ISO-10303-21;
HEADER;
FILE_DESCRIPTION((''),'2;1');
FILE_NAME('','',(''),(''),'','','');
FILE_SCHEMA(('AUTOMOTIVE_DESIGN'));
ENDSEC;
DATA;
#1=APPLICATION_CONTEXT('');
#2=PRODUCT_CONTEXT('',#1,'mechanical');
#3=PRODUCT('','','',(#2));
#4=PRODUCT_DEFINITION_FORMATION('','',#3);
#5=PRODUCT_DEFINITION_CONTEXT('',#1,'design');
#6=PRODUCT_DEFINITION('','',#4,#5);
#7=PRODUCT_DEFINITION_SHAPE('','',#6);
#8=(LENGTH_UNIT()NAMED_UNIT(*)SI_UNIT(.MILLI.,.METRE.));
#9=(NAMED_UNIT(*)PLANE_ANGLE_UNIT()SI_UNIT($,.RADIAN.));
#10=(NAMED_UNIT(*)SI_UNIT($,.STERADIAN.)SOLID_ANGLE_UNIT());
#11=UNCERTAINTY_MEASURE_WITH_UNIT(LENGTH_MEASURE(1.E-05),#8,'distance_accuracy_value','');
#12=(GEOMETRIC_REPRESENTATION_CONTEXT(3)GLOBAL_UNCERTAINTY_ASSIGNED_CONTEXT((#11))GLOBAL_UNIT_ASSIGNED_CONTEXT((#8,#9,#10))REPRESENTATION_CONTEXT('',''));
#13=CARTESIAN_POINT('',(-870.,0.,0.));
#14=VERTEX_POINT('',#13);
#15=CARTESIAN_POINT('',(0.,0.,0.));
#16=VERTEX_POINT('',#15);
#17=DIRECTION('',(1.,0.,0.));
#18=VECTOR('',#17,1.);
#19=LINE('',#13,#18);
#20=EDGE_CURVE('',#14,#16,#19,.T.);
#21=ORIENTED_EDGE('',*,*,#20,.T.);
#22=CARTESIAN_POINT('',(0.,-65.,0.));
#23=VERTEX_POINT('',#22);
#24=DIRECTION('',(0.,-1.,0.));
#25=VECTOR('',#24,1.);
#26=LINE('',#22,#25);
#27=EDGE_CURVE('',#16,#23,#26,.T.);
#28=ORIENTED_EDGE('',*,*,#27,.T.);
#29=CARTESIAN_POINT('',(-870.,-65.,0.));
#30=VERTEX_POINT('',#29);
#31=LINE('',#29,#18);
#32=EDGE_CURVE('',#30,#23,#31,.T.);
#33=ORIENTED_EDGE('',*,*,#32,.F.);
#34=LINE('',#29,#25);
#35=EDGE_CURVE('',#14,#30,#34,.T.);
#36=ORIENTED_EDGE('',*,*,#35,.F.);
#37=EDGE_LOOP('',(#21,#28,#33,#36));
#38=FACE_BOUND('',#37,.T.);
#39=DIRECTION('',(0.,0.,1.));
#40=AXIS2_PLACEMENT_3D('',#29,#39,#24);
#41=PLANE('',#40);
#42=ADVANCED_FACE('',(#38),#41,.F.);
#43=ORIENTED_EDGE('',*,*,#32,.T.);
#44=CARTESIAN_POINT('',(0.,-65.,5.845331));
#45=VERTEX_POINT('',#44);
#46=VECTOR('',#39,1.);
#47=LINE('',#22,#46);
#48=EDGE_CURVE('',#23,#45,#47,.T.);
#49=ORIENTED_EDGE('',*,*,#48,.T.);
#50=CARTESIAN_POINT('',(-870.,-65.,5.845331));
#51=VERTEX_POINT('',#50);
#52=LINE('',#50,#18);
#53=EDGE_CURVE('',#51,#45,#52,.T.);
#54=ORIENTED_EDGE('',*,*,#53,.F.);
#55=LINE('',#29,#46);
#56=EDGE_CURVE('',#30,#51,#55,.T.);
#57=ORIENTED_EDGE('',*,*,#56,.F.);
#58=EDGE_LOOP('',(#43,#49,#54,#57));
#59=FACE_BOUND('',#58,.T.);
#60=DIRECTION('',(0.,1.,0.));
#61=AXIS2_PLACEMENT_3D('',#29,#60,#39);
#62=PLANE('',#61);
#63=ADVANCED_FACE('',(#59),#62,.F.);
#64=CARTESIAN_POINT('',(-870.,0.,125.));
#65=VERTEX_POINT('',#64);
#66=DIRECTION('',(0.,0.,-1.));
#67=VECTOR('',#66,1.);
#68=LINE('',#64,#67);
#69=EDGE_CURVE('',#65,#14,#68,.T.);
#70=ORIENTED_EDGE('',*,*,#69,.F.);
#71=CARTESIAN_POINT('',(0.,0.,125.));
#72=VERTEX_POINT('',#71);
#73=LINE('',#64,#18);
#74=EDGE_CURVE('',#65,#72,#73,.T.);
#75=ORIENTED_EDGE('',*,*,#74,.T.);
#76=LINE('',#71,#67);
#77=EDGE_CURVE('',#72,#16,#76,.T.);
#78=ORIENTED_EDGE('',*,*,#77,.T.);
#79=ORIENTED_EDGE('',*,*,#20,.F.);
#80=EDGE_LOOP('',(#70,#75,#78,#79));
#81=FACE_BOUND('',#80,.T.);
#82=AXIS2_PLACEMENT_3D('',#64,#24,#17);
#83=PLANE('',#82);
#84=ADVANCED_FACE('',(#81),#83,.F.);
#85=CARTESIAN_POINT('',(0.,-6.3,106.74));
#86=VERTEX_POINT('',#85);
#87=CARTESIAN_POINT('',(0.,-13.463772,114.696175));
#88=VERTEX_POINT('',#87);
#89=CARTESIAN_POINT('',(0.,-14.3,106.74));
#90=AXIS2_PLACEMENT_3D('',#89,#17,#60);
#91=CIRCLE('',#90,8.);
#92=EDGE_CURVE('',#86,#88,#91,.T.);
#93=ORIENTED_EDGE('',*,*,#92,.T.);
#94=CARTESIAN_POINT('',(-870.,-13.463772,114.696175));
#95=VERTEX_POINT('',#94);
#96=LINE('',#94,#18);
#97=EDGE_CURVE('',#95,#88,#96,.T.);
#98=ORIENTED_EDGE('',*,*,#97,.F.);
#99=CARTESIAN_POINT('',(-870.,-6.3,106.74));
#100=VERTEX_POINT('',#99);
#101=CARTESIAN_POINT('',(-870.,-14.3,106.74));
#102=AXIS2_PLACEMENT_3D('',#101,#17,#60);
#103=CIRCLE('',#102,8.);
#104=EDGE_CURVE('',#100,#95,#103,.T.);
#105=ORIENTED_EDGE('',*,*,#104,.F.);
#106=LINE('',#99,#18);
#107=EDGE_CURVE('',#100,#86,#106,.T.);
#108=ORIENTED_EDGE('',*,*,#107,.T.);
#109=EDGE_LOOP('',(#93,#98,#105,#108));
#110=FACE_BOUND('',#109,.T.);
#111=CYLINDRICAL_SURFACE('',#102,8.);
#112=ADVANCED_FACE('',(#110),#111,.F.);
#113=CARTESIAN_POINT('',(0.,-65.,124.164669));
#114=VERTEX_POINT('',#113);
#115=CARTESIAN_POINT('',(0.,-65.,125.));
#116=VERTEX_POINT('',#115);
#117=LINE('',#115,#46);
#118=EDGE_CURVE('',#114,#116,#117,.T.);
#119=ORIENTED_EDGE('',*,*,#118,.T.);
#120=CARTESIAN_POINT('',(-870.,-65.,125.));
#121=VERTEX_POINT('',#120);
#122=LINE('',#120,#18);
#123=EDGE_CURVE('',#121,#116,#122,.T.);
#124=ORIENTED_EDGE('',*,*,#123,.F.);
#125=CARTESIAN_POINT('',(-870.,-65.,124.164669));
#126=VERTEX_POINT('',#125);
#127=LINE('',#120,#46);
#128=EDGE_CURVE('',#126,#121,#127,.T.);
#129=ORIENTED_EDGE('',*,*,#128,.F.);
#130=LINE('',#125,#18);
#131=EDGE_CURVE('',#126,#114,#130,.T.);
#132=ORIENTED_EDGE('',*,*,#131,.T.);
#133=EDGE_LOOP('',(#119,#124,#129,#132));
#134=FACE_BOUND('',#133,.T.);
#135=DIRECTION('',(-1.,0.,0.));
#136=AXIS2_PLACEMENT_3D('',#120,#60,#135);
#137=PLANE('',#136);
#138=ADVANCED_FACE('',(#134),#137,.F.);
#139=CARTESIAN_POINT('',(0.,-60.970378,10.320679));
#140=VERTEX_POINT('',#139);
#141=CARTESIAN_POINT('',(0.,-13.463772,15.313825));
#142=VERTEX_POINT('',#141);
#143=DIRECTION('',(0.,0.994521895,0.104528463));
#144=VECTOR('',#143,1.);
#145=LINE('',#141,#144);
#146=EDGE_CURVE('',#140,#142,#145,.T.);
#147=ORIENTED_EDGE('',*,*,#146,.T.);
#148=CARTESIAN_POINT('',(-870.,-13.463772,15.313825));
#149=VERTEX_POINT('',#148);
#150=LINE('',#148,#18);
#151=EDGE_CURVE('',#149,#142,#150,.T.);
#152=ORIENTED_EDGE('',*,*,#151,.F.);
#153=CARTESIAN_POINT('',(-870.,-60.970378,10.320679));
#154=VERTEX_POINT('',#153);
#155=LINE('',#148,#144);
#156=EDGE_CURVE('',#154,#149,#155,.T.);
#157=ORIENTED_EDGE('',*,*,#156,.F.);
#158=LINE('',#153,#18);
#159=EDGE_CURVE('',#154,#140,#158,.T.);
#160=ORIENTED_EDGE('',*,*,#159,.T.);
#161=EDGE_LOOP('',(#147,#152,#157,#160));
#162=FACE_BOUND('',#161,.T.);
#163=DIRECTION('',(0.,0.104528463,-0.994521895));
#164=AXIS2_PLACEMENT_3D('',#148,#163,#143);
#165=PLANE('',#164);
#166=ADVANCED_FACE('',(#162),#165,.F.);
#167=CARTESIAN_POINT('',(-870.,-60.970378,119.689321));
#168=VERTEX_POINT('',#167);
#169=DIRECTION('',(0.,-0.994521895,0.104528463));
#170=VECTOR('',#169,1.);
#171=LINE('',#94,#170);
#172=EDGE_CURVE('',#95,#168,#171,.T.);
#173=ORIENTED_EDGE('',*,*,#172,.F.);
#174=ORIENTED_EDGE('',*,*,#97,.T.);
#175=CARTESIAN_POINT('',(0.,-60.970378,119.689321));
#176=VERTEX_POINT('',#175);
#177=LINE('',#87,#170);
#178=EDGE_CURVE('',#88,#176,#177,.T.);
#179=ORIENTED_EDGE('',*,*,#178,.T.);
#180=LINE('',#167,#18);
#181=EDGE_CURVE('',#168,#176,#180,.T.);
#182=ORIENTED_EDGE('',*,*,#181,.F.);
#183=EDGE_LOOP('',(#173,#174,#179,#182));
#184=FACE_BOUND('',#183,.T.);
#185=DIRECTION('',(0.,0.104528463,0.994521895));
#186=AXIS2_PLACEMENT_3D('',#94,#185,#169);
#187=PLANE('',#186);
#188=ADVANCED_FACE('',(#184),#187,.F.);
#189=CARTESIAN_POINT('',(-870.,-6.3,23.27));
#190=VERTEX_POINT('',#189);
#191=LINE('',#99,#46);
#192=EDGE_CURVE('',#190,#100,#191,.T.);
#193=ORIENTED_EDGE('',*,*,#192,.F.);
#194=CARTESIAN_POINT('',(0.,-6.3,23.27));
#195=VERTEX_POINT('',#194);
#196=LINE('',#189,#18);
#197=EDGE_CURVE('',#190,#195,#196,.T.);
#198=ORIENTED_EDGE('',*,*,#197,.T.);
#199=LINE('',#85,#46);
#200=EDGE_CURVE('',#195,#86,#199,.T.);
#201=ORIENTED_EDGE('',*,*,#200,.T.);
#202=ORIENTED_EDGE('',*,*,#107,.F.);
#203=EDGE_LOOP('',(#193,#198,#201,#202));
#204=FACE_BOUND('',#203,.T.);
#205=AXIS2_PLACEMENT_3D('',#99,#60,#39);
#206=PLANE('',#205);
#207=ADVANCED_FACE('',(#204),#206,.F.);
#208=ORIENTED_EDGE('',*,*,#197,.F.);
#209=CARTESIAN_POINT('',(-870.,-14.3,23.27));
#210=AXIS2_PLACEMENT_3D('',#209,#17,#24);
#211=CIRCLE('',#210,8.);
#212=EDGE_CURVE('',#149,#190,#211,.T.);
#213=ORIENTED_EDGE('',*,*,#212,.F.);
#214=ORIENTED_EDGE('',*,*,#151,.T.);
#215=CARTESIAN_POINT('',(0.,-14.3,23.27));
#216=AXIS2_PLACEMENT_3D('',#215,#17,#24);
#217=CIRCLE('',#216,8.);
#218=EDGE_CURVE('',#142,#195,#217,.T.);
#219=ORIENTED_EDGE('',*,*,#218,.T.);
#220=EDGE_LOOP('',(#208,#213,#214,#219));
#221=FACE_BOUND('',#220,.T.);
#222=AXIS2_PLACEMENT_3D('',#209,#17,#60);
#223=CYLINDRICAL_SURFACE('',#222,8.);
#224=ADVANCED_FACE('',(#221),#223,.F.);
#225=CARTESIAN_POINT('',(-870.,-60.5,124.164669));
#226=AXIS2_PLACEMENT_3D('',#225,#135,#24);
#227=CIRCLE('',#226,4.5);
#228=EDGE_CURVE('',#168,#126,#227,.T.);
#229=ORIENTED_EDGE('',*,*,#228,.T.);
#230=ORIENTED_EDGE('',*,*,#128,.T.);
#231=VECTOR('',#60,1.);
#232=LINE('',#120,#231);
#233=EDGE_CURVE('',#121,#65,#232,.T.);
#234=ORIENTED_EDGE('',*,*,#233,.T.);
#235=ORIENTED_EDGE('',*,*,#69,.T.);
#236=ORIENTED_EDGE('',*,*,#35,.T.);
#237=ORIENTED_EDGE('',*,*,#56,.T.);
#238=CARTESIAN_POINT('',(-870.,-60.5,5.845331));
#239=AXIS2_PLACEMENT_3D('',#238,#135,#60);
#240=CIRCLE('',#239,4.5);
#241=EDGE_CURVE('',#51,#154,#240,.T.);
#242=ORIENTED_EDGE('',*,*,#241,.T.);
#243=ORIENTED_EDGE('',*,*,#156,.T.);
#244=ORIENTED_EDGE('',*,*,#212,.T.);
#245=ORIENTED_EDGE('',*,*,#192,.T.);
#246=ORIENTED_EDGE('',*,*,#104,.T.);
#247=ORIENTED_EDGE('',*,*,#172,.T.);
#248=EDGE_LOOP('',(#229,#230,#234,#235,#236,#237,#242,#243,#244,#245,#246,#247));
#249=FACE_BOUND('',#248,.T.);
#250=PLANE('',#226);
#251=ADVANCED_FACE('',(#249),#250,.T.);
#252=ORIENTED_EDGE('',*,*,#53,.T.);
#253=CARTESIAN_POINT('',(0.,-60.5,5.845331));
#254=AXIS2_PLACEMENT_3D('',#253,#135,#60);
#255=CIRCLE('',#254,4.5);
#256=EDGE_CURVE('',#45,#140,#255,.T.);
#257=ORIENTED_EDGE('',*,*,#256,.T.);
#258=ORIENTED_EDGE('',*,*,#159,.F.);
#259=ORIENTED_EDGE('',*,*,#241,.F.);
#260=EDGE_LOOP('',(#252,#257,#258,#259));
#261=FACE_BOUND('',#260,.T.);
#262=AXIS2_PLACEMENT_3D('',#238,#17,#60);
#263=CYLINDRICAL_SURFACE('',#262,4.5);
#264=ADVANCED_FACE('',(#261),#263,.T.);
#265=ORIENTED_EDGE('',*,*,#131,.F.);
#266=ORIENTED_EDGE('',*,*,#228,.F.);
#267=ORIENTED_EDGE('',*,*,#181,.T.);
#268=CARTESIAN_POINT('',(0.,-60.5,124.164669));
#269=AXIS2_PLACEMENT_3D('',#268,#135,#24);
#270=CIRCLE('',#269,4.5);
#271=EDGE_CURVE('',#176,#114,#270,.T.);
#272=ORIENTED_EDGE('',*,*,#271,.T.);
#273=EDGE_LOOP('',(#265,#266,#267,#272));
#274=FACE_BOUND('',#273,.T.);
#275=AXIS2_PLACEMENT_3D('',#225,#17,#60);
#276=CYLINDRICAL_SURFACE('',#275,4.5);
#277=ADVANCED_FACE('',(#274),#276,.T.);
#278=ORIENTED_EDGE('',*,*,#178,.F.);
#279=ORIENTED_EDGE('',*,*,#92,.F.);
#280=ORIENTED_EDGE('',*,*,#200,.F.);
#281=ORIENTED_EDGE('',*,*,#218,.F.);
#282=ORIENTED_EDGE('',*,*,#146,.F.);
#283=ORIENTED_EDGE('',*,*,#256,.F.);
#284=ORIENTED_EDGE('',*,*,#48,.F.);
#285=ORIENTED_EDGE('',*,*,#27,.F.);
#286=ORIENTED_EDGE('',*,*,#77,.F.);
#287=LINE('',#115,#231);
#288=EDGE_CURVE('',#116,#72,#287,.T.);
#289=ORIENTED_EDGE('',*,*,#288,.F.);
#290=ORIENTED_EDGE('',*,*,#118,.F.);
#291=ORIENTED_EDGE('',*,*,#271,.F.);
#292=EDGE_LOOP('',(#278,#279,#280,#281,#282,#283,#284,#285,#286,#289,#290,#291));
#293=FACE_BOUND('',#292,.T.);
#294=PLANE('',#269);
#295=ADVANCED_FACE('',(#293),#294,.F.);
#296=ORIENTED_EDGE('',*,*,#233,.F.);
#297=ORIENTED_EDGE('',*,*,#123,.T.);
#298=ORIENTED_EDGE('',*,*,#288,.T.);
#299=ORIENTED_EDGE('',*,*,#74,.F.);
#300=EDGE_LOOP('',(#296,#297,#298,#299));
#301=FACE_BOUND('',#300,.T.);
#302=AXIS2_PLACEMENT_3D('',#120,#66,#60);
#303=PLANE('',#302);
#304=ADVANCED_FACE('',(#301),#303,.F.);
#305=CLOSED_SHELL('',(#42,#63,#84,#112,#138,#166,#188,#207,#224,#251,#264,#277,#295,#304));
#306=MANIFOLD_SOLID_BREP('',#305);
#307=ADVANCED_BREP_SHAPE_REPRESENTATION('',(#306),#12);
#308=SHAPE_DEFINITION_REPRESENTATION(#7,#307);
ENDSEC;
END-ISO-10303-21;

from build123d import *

# Parameters (mm, degrees)
C_CHANNEL_120_X_12_1_DEPTH = 870


with BuildPart() as part:
    # Sketch12 → C channel 120 X 12(1) (new body)
    with BuildSketch(Plane(origin=(0, 0, 0), x_dir=(0, -1, 0), z_dir=(-1, 0, 0))):
        with BuildLine():
            Line((65, 125), (0, 125))
            Line((0, 125), (0, 0))
            Line((0, 0), (65, 0))
            Line((65, 0), (65, 5.845330836))
            ThreePointArc((65, 5.845330836), (63.844151715, 8.856418565), (60.970378085, 10.320679365))
            Line((60.970378085, 10.320679365), (13.463772294, 15.313824837))
            ThreePointArc((13.463772294, 15.313824837), (8.354841396, 17.916955149), (6.3, 23.27))
            Line((6.3, 23.27), (6.3, 106.74))
            ThreePointArc((6.3, 106.74), (8.354841396, 112.093044851), (13.463772294, 114.696175163))
            Line((13.463772294, 114.696175163), (60.970378085, 119.689320635))
            ThreePointArc((60.970378085, 119.689320635), (63.844151715, 121.153581435), (65, 124.164669164))
            Line((65, 124.164669164), (65, 125))
        make_face()
    extrude(amount=C_CHANNEL_120_X_12_1_DEPTH)


solid = part.part
